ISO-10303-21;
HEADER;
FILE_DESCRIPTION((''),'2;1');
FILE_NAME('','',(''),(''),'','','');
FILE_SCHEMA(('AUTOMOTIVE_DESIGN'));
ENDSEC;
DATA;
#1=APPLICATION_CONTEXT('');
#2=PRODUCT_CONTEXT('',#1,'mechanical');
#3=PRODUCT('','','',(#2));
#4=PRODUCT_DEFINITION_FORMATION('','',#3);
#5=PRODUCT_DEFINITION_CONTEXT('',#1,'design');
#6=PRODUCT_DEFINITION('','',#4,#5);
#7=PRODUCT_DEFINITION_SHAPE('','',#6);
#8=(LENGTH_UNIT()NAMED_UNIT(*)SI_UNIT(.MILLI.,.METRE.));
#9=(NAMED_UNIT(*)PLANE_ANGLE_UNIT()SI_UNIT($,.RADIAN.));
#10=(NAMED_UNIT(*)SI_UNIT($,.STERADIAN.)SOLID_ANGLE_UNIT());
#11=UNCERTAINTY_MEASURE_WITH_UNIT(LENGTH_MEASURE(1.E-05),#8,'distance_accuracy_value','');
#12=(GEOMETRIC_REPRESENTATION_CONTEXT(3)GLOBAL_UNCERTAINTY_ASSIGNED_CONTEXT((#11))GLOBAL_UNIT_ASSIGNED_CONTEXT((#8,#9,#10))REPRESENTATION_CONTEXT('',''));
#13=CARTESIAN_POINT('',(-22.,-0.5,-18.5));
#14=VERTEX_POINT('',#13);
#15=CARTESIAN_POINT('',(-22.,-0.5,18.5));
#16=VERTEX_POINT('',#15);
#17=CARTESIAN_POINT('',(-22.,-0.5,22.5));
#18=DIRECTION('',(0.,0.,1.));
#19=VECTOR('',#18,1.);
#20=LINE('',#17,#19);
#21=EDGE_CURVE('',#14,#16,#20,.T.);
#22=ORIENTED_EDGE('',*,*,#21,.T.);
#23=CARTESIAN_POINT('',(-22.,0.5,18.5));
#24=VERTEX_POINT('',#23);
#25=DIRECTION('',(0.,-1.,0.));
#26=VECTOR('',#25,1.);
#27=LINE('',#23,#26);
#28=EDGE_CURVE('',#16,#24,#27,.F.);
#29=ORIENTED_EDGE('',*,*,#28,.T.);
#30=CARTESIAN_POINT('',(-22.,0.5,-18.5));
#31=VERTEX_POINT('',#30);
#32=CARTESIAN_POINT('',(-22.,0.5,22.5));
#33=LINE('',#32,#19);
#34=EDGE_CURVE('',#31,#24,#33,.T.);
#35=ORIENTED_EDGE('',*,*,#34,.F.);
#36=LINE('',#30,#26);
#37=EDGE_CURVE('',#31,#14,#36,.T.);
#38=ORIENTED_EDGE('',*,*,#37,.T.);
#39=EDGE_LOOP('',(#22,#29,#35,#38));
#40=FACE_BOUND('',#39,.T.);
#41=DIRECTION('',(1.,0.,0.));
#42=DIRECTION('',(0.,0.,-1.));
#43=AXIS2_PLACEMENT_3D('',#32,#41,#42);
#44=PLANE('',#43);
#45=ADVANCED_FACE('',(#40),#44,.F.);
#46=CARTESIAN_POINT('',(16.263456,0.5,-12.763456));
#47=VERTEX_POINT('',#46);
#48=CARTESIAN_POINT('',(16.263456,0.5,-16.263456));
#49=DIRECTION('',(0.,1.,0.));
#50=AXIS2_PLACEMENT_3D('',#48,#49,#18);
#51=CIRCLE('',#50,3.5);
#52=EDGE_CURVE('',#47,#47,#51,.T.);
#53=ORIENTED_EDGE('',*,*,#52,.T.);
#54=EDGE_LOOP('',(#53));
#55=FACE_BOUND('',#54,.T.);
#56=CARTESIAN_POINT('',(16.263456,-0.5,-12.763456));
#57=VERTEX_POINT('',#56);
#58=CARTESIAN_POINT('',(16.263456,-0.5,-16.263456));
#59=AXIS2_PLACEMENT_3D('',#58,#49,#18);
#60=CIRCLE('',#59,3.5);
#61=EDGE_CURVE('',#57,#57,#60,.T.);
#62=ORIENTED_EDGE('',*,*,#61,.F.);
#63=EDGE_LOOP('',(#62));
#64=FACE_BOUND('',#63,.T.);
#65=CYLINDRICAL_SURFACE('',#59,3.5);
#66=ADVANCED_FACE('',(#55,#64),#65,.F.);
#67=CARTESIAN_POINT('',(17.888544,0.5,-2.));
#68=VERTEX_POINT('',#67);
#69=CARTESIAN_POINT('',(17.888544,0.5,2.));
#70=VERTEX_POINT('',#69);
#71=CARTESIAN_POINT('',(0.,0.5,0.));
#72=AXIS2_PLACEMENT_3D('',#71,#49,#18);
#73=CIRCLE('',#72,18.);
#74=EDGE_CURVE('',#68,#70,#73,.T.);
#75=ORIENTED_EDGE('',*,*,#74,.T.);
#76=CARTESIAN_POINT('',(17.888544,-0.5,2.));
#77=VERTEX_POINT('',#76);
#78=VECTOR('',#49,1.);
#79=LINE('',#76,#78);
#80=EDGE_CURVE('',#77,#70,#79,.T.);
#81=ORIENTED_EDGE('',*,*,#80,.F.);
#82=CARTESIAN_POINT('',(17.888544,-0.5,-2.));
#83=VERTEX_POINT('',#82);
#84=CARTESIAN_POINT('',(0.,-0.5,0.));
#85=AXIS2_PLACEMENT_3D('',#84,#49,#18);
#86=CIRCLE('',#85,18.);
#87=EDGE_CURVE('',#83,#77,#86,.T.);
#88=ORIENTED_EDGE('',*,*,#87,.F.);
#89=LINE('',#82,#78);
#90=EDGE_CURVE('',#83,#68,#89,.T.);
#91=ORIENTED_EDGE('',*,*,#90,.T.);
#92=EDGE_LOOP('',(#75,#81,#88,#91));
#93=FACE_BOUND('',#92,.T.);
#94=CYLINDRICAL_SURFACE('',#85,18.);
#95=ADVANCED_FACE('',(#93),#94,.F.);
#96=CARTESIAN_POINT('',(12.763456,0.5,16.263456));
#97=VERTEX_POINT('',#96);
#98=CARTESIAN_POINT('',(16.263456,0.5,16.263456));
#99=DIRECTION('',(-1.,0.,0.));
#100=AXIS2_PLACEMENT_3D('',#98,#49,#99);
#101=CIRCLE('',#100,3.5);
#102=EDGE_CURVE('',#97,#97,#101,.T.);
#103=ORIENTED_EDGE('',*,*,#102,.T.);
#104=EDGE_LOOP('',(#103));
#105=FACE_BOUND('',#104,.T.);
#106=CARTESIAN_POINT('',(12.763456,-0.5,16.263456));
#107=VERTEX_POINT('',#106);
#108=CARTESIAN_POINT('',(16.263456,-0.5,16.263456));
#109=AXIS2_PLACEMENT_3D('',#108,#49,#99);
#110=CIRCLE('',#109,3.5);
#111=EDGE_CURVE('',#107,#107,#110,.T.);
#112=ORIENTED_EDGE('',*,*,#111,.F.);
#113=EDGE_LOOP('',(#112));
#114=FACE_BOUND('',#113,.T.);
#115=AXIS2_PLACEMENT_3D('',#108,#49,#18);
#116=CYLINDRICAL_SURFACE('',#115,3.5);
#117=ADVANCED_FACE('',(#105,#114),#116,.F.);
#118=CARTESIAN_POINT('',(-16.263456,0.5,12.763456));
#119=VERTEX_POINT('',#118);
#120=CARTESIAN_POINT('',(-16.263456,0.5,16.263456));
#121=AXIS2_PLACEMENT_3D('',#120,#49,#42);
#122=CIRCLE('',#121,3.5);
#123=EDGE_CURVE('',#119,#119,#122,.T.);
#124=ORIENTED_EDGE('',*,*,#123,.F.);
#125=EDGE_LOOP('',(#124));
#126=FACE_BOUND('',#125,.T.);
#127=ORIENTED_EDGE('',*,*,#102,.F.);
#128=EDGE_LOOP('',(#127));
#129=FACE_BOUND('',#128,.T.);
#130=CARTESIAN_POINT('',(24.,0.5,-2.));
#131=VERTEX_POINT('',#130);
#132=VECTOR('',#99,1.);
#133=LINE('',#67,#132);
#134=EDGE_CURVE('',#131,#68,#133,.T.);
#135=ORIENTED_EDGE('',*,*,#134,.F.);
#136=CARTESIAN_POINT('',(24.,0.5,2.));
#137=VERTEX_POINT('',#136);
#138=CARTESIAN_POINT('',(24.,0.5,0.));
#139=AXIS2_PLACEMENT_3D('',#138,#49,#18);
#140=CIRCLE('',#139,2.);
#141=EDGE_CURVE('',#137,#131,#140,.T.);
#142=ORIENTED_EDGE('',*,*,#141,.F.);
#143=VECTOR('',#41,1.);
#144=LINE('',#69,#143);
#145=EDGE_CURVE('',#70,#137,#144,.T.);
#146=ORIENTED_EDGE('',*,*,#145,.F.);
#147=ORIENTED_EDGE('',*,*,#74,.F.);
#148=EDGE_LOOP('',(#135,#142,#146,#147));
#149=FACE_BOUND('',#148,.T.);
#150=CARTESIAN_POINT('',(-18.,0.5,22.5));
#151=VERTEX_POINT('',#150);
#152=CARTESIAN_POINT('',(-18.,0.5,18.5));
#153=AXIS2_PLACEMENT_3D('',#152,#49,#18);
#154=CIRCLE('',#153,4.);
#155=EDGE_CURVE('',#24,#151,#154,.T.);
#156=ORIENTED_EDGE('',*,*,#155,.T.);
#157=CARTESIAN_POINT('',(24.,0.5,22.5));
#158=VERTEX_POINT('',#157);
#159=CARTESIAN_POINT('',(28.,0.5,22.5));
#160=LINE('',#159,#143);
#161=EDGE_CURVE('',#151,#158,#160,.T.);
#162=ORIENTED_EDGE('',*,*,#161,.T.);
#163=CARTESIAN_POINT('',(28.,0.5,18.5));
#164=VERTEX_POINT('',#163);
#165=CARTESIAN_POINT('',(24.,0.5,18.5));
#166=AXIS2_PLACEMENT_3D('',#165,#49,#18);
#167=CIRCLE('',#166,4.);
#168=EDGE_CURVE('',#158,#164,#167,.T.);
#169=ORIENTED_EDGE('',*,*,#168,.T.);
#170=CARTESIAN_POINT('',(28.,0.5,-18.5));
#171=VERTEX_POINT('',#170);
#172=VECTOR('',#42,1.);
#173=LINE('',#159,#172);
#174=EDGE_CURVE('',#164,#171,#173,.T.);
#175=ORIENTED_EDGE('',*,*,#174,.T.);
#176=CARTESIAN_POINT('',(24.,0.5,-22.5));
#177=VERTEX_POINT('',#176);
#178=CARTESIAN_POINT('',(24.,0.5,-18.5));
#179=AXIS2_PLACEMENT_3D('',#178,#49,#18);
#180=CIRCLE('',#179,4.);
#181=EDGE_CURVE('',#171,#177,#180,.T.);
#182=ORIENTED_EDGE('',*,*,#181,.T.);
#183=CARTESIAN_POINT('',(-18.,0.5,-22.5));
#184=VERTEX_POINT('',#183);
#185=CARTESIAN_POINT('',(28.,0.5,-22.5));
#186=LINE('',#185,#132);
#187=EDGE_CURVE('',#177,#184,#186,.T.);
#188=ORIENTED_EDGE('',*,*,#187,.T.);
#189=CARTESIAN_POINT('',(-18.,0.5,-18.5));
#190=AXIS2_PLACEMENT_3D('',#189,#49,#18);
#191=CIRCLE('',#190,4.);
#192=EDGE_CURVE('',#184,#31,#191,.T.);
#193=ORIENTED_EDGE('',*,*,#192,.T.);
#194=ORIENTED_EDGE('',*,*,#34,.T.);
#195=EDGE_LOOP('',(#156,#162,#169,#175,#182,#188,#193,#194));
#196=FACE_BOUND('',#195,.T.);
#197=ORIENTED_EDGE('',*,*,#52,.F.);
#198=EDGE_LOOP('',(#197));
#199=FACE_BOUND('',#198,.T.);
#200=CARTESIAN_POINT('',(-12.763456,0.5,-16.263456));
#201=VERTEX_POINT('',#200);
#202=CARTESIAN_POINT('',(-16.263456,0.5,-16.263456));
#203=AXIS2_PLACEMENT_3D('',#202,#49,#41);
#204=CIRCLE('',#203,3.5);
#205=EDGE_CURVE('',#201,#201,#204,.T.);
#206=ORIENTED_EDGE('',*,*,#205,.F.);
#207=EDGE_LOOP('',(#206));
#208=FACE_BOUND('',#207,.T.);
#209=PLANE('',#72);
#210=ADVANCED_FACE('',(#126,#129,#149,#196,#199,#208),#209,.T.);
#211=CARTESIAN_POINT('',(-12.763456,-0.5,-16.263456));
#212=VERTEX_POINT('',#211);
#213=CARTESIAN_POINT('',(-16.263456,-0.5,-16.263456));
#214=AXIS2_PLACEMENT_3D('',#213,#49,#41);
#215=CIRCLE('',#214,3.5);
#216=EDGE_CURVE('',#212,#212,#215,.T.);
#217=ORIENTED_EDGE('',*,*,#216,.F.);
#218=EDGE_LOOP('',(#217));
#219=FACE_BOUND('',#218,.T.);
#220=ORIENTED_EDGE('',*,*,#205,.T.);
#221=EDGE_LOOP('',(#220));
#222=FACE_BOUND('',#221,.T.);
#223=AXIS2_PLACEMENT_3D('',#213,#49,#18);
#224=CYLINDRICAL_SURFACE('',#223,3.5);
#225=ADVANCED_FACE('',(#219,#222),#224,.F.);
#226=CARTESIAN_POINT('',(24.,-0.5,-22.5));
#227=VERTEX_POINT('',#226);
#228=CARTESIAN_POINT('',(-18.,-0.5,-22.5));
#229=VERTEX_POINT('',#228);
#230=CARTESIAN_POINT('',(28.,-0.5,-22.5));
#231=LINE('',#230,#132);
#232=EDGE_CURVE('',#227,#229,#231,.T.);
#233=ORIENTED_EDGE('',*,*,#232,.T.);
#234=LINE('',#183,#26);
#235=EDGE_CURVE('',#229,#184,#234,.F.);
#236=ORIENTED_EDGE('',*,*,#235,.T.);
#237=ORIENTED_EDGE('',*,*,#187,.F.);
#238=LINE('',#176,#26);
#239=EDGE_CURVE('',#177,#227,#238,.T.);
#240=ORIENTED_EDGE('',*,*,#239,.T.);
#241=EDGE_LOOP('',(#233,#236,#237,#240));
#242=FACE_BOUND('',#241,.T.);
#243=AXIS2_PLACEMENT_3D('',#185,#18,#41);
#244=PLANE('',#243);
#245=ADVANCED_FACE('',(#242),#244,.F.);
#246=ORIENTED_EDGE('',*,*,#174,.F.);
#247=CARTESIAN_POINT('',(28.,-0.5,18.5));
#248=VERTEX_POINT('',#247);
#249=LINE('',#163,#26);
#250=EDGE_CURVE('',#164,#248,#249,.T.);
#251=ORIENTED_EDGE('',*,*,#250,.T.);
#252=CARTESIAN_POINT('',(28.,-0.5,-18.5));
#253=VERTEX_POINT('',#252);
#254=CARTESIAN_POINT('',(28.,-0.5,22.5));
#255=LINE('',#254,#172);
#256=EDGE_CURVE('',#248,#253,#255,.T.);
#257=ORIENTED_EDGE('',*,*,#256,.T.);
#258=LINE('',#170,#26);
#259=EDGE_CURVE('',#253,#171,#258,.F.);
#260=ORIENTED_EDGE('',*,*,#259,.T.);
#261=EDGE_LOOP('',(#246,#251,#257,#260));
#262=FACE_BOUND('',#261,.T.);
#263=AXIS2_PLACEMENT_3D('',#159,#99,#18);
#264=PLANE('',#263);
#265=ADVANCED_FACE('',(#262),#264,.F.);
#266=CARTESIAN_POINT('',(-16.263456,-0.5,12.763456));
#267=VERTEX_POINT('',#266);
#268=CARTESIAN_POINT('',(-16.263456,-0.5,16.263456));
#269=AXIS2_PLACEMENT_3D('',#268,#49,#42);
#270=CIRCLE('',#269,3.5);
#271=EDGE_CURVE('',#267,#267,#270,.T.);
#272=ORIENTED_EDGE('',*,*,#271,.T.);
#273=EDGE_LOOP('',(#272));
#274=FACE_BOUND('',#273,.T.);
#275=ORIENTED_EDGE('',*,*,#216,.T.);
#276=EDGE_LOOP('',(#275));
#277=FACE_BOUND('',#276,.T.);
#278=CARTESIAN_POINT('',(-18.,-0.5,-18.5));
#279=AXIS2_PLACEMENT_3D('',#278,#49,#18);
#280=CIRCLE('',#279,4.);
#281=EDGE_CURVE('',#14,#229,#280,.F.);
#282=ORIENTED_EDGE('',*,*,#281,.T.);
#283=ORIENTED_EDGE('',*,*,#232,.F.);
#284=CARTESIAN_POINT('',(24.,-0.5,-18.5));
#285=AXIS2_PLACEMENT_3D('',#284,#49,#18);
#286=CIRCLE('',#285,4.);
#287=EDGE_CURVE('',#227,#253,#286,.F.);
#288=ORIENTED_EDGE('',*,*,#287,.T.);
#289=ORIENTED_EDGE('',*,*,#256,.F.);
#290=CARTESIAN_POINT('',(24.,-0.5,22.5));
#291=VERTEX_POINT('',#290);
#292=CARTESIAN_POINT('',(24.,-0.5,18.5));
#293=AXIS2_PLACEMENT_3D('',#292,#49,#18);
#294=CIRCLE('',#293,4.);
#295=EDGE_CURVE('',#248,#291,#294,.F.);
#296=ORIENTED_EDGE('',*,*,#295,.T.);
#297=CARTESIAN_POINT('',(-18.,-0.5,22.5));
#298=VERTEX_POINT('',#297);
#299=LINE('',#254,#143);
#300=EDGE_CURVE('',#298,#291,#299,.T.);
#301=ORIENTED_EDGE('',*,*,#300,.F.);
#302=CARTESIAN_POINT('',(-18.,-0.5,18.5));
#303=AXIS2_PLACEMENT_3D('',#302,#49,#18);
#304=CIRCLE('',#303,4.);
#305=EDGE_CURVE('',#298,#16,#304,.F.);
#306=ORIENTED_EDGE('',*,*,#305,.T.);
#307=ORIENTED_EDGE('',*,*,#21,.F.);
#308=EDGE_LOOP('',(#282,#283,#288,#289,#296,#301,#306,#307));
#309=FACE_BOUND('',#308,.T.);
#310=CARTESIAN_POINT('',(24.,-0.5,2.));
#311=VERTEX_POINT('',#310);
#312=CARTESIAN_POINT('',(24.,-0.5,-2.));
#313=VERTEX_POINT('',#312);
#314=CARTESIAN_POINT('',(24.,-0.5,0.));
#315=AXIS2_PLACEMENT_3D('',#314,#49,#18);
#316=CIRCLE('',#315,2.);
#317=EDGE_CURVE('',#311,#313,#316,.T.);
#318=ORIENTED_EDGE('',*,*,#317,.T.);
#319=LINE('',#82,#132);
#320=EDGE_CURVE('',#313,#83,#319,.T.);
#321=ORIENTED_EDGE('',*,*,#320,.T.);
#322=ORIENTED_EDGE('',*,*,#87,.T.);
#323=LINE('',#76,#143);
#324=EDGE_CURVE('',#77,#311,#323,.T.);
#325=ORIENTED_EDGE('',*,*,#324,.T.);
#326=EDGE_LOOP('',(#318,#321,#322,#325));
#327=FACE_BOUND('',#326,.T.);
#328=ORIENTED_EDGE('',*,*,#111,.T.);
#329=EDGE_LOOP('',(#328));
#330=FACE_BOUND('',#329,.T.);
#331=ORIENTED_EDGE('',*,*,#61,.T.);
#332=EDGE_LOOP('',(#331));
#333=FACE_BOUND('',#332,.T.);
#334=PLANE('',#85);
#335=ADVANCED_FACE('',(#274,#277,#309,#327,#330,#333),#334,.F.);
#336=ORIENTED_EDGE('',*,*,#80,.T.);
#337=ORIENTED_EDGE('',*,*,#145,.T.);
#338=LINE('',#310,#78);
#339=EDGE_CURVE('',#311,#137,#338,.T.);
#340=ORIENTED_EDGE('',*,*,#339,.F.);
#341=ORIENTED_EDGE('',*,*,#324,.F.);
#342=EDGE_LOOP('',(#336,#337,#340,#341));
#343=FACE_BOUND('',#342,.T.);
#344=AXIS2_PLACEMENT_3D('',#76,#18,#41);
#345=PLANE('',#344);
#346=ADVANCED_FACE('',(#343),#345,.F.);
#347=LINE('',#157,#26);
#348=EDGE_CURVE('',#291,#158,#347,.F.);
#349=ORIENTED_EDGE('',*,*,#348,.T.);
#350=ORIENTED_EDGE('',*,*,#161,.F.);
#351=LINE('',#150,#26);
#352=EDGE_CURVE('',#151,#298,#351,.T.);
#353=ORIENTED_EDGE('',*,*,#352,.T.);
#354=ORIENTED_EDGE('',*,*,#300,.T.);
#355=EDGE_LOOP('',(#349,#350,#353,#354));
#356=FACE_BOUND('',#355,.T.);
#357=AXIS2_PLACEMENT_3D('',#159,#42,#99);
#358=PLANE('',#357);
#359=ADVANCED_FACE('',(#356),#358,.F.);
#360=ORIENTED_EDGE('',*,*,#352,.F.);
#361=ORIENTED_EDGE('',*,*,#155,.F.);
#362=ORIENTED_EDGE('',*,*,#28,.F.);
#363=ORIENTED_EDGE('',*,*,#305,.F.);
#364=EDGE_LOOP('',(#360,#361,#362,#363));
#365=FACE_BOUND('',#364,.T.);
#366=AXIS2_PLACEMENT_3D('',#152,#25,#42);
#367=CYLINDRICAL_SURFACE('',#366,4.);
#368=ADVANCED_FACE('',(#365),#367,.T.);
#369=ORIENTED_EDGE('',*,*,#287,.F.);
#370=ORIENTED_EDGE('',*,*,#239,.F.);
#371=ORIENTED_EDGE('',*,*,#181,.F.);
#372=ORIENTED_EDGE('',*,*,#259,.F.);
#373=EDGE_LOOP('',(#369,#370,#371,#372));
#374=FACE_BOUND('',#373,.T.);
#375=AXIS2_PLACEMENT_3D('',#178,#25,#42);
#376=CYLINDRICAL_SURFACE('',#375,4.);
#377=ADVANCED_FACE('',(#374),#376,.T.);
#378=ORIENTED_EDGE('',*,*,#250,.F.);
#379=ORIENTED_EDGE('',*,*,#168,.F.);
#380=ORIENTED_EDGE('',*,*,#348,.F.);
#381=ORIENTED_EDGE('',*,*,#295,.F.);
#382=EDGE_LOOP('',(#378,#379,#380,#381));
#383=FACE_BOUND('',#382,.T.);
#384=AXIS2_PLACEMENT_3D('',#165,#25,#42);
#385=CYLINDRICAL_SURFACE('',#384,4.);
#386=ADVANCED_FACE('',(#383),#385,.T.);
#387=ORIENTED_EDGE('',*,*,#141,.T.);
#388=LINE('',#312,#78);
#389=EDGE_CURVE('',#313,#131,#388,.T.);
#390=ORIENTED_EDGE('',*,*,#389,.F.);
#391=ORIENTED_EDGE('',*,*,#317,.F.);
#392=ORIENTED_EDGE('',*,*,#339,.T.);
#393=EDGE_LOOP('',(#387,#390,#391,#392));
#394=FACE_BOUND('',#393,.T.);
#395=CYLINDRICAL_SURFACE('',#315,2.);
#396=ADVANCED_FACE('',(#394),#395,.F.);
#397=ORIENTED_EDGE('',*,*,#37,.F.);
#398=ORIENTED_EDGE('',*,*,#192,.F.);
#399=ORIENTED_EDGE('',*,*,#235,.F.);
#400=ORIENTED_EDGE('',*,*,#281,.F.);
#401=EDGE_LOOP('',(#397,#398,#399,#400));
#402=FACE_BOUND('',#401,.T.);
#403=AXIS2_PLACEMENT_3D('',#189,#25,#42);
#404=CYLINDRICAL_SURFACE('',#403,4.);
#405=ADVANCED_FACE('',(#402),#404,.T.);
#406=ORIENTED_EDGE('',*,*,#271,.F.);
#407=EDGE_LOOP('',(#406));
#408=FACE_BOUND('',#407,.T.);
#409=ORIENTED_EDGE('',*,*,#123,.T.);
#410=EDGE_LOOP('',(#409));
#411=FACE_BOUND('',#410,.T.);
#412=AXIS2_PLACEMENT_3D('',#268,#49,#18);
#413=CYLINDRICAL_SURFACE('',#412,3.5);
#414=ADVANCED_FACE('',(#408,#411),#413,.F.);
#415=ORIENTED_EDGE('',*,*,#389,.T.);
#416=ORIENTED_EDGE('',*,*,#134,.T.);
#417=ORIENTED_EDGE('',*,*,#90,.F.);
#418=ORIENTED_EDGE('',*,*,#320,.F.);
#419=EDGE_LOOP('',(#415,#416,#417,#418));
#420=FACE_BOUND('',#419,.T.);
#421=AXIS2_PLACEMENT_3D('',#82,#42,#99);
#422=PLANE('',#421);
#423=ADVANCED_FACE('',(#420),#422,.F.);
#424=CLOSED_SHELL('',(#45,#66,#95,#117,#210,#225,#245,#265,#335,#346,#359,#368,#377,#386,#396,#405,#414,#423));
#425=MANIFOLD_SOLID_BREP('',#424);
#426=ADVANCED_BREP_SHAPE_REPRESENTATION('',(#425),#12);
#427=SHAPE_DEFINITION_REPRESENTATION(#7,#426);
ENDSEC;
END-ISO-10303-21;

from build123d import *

# Parameters (mm, degrees)
SKETCH1_W         = 50
SKETCH1_H         = 45
BODY_DEPTH        = 0.5
CENTER_HOLE_DEPTH = 2
SKETCH3_R         = 3.5
HOLE_1_DEPTH      = 2
HOLES_2_4_COUNT   = 4
R4_FILLETS_R      = 4


with BuildPart() as part:
    # Sketch1 → Body (new body, symmetric)
    with BuildSketch(Plane(origin=(0, 0, 0), x_dir=(1, 0, 0), z_dir=(0, 1, 0))):
        with Locations((3, 0)):
            Rectangle(SKETCH1_W, SKETCH1_H)
    extrude(amount=BODY_DEPTH, both=True)

    # Sketch2 → Center hole (cut, through all)
    with BuildSketch(Plane(origin=(0, 0.5, 0), x_dir=(1, 0, 0), z_dir=(0, 1, 0))):
        with BuildLine():
            Line((17.88854382, 2), (24, 2))
            ThreePointArc((24, 2), (26, 0), (24, -2))
            Line((24, -2), (17.88854382, -2))
            ThreePointArc((17.88854382, -2), (-18, 0), (17.88854382, 2))
        make_face()
    extrude(amount=-CENTER_HOLE_DEPTH, mode=Mode.SUBTRACT)

    # Sketch3 → Hole 1 (cut, through all)
    with BuildSketch(Plane(origin=(0, 0.5, 0), x_dir=(1, 0, 0), z_dir=(0, 1, 0))):
        with Locations((16.263455967, 16.263455967)):
            Circle(SKETCH3_R)
    hole_1 = extrude(amount=-HOLE_1_DEPTH, mode=Mode.SUBTRACT)

    # Holes 2-4: Hole 1 ×4 about axis
    holes_2_4_axis = Axis((0, 0, 0), (0, 1, 0))
    for i in range(1, HOLES_2_4_COUNT):
        add(hole_1.rotate(holes_2_4_axis, i * 360 / HOLES_2_4_COUNT), mode=Mode.SUBTRACT)

    # R4 Fillets
    r4_fillets_edges = [part.edges().sort_by_distance(p)[0] for p in [
        (-22, 0, -22.5),
        (28, 0, -22.5),
        (28, 0, 22.5),
        (-22, 0, 22.5),
    ]]
    fillet(r4_fillets_edges, radius=R4_FILLETS_R)


solid = part.part
